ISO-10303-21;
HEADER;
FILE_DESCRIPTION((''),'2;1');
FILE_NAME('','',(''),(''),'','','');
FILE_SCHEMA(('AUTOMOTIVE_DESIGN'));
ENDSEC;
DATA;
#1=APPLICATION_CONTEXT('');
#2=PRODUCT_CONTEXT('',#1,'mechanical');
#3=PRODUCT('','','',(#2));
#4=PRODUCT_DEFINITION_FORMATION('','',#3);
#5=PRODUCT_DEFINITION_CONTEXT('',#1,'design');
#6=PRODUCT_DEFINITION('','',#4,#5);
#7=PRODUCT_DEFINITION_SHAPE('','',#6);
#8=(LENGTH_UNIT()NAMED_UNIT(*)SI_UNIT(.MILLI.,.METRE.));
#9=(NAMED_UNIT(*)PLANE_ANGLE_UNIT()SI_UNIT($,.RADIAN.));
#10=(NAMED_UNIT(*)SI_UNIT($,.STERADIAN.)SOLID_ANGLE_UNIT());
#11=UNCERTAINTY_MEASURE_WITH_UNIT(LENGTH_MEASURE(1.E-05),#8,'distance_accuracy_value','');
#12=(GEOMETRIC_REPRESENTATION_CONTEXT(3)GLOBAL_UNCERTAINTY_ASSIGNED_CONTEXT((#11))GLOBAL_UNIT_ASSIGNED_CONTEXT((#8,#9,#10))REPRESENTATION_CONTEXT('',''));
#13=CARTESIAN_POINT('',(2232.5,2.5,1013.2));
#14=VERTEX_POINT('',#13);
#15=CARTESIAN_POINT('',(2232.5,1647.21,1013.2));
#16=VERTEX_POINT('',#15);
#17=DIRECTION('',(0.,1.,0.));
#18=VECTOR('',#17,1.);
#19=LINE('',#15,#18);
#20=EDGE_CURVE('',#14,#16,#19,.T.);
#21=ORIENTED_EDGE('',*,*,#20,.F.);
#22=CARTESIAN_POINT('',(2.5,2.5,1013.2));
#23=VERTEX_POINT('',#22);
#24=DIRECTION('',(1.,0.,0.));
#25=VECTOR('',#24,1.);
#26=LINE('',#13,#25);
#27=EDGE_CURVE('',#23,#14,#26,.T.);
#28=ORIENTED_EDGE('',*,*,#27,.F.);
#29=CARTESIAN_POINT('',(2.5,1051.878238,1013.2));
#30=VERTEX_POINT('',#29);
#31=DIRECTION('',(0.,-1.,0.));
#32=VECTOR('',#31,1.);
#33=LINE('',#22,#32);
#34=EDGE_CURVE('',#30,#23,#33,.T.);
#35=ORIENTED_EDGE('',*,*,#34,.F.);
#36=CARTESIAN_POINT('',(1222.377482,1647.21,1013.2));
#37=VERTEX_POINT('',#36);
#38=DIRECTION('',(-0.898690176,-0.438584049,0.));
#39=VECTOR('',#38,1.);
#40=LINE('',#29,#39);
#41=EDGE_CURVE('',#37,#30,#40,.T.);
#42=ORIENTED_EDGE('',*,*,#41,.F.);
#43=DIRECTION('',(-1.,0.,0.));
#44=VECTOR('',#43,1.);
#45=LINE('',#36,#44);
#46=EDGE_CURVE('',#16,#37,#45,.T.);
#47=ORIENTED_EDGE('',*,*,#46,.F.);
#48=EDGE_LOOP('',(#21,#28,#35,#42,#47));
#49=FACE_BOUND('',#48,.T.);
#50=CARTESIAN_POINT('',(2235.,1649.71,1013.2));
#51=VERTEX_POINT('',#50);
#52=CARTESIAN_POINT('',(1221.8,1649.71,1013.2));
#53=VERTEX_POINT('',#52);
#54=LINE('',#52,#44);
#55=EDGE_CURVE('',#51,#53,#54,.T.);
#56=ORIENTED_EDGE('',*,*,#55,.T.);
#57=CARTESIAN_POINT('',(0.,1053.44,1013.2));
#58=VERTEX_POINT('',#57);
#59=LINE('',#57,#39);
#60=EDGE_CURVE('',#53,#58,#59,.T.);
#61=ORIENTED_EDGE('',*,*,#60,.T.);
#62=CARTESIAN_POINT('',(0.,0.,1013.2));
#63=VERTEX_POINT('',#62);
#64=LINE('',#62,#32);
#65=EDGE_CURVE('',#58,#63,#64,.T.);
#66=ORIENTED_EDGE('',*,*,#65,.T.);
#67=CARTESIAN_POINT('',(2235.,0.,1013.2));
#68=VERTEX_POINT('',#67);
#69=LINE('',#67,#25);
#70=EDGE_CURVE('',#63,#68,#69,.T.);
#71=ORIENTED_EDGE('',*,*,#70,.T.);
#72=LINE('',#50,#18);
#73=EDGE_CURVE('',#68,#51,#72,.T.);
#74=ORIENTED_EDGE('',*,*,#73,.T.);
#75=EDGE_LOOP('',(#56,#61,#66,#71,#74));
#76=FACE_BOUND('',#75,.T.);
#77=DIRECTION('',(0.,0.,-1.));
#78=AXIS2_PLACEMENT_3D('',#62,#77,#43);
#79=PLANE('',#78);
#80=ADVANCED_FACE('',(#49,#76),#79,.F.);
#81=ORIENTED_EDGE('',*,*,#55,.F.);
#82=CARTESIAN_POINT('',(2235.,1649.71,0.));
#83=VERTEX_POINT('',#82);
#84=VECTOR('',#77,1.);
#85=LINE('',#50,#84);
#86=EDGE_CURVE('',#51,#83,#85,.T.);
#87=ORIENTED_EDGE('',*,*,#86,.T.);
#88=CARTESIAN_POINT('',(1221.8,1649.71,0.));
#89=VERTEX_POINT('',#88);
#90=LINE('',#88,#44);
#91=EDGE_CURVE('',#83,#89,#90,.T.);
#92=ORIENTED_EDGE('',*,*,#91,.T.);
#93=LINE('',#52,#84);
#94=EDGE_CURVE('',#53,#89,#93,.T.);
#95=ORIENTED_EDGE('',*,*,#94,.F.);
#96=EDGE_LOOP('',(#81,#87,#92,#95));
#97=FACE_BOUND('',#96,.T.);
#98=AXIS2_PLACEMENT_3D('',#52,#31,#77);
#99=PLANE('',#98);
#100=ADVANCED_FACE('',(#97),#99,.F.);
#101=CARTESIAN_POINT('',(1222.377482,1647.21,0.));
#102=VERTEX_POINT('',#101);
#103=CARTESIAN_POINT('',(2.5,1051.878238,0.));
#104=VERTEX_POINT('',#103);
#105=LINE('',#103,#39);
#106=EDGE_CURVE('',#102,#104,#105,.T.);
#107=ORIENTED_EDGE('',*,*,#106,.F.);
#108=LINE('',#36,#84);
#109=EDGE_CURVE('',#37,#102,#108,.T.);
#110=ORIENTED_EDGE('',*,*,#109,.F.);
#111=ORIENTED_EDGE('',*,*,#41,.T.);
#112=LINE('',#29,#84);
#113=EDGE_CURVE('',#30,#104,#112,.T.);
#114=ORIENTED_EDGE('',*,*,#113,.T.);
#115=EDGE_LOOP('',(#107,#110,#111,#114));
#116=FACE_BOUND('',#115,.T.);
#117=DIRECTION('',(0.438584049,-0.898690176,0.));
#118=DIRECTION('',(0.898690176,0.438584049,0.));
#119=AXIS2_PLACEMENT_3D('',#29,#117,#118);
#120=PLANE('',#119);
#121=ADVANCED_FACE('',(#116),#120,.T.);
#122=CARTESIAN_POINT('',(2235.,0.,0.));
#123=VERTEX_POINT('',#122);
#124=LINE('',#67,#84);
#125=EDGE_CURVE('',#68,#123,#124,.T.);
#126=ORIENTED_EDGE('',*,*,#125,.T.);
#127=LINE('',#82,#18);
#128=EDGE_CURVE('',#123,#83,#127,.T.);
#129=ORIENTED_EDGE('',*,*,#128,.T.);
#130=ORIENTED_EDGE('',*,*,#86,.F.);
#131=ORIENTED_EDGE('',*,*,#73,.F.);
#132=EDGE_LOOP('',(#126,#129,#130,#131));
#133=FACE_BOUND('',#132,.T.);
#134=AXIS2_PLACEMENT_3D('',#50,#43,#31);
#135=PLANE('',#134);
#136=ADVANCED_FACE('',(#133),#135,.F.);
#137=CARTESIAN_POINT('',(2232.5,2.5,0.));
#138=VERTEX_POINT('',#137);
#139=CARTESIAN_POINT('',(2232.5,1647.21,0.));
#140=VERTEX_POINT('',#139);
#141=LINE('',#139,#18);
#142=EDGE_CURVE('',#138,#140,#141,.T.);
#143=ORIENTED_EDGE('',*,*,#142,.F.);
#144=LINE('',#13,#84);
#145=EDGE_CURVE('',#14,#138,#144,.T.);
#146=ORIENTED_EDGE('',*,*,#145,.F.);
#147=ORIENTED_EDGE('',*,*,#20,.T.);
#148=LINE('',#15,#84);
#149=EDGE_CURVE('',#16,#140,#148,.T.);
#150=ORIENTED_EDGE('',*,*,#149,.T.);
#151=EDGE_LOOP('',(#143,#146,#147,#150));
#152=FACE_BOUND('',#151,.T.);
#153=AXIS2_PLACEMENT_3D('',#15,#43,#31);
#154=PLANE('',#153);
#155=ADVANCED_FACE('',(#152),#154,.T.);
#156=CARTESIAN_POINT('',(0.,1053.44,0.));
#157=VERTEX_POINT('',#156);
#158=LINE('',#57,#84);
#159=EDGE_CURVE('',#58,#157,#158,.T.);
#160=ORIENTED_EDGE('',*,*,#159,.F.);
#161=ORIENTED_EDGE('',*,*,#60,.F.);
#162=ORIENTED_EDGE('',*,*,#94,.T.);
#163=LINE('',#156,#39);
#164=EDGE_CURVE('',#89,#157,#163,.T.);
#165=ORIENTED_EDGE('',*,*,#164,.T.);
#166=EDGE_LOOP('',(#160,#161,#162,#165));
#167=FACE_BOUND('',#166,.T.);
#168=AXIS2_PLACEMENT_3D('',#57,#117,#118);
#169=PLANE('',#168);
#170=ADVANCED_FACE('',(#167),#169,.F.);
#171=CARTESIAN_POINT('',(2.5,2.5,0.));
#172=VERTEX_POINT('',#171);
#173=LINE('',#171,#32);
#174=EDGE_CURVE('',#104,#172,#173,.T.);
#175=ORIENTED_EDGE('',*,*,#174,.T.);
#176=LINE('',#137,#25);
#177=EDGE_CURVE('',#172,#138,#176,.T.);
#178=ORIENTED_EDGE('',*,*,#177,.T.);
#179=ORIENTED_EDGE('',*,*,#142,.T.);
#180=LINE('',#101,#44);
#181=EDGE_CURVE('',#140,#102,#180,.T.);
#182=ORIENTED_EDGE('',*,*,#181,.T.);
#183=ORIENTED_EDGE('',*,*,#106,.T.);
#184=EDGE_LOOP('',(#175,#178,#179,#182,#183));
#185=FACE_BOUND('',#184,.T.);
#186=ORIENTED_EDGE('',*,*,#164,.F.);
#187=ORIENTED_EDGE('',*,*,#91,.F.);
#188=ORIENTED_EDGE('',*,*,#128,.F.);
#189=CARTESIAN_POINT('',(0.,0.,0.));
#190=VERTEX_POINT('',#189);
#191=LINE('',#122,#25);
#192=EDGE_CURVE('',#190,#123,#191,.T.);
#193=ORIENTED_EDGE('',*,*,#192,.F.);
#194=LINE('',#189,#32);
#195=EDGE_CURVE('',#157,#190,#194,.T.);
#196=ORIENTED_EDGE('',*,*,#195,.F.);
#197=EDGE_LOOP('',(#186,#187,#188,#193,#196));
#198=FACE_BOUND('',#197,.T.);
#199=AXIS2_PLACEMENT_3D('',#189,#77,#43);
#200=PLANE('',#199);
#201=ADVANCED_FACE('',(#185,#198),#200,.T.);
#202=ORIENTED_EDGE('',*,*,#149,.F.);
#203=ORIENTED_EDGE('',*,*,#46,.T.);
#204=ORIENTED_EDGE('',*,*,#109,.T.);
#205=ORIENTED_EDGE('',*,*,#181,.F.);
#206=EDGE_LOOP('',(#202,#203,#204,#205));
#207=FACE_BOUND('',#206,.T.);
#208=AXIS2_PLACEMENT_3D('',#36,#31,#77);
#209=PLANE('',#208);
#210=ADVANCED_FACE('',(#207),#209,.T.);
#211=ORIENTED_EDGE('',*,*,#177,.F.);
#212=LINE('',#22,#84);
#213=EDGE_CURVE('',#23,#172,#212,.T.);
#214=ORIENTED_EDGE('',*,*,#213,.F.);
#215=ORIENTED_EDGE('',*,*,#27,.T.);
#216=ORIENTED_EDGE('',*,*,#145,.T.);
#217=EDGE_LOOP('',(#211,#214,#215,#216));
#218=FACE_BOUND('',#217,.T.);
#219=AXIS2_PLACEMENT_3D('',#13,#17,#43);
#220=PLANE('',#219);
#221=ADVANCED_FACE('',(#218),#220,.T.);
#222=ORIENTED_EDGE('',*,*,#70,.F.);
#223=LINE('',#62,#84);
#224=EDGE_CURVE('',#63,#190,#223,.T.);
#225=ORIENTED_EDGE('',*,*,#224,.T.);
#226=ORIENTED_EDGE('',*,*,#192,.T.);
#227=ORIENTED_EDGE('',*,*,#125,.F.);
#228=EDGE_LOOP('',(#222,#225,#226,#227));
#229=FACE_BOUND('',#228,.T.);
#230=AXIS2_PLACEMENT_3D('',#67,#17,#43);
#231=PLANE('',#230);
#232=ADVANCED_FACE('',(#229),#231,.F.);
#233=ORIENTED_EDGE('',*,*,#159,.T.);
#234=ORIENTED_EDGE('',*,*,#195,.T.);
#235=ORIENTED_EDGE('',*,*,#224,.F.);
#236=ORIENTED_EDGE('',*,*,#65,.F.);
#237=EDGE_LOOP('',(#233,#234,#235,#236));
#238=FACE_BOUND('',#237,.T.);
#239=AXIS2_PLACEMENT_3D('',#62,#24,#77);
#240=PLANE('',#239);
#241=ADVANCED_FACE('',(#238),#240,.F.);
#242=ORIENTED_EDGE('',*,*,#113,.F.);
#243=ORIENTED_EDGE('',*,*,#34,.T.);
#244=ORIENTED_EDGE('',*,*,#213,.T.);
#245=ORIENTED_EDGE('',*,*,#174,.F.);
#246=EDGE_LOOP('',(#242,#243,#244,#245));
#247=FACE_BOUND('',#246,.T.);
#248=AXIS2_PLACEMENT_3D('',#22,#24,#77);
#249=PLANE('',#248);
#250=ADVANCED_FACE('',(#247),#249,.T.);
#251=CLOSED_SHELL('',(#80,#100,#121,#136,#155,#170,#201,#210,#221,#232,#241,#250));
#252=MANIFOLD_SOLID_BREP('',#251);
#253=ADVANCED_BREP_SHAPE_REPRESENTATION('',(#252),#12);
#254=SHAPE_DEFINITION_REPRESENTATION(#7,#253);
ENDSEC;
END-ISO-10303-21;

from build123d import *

# Parameters (mm, degrees)
BOSS_EXTRUDE1_DEPTH = 1013.2


with BuildPart() as part:
    # Sketch1 → Boss-Extrude1 (new body)
    with BuildSketch(Plane.XY):
        Polygon((1221.8, 1649.71), (2235, 1649.71), (2235, 0), (0, 0), (0, 1053.44), align=None)
        Polygon((2.5, 1051.878238321), (1222.377482381, 1647.21), (2232.5, 1647.21), (2232.5, 2.5), (2.5, 2.5), align=None, mode=Mode.SUBTRACT)
    extrude(amount=BOSS_EXTRUDE1_DEPTH)


solid = part.part
